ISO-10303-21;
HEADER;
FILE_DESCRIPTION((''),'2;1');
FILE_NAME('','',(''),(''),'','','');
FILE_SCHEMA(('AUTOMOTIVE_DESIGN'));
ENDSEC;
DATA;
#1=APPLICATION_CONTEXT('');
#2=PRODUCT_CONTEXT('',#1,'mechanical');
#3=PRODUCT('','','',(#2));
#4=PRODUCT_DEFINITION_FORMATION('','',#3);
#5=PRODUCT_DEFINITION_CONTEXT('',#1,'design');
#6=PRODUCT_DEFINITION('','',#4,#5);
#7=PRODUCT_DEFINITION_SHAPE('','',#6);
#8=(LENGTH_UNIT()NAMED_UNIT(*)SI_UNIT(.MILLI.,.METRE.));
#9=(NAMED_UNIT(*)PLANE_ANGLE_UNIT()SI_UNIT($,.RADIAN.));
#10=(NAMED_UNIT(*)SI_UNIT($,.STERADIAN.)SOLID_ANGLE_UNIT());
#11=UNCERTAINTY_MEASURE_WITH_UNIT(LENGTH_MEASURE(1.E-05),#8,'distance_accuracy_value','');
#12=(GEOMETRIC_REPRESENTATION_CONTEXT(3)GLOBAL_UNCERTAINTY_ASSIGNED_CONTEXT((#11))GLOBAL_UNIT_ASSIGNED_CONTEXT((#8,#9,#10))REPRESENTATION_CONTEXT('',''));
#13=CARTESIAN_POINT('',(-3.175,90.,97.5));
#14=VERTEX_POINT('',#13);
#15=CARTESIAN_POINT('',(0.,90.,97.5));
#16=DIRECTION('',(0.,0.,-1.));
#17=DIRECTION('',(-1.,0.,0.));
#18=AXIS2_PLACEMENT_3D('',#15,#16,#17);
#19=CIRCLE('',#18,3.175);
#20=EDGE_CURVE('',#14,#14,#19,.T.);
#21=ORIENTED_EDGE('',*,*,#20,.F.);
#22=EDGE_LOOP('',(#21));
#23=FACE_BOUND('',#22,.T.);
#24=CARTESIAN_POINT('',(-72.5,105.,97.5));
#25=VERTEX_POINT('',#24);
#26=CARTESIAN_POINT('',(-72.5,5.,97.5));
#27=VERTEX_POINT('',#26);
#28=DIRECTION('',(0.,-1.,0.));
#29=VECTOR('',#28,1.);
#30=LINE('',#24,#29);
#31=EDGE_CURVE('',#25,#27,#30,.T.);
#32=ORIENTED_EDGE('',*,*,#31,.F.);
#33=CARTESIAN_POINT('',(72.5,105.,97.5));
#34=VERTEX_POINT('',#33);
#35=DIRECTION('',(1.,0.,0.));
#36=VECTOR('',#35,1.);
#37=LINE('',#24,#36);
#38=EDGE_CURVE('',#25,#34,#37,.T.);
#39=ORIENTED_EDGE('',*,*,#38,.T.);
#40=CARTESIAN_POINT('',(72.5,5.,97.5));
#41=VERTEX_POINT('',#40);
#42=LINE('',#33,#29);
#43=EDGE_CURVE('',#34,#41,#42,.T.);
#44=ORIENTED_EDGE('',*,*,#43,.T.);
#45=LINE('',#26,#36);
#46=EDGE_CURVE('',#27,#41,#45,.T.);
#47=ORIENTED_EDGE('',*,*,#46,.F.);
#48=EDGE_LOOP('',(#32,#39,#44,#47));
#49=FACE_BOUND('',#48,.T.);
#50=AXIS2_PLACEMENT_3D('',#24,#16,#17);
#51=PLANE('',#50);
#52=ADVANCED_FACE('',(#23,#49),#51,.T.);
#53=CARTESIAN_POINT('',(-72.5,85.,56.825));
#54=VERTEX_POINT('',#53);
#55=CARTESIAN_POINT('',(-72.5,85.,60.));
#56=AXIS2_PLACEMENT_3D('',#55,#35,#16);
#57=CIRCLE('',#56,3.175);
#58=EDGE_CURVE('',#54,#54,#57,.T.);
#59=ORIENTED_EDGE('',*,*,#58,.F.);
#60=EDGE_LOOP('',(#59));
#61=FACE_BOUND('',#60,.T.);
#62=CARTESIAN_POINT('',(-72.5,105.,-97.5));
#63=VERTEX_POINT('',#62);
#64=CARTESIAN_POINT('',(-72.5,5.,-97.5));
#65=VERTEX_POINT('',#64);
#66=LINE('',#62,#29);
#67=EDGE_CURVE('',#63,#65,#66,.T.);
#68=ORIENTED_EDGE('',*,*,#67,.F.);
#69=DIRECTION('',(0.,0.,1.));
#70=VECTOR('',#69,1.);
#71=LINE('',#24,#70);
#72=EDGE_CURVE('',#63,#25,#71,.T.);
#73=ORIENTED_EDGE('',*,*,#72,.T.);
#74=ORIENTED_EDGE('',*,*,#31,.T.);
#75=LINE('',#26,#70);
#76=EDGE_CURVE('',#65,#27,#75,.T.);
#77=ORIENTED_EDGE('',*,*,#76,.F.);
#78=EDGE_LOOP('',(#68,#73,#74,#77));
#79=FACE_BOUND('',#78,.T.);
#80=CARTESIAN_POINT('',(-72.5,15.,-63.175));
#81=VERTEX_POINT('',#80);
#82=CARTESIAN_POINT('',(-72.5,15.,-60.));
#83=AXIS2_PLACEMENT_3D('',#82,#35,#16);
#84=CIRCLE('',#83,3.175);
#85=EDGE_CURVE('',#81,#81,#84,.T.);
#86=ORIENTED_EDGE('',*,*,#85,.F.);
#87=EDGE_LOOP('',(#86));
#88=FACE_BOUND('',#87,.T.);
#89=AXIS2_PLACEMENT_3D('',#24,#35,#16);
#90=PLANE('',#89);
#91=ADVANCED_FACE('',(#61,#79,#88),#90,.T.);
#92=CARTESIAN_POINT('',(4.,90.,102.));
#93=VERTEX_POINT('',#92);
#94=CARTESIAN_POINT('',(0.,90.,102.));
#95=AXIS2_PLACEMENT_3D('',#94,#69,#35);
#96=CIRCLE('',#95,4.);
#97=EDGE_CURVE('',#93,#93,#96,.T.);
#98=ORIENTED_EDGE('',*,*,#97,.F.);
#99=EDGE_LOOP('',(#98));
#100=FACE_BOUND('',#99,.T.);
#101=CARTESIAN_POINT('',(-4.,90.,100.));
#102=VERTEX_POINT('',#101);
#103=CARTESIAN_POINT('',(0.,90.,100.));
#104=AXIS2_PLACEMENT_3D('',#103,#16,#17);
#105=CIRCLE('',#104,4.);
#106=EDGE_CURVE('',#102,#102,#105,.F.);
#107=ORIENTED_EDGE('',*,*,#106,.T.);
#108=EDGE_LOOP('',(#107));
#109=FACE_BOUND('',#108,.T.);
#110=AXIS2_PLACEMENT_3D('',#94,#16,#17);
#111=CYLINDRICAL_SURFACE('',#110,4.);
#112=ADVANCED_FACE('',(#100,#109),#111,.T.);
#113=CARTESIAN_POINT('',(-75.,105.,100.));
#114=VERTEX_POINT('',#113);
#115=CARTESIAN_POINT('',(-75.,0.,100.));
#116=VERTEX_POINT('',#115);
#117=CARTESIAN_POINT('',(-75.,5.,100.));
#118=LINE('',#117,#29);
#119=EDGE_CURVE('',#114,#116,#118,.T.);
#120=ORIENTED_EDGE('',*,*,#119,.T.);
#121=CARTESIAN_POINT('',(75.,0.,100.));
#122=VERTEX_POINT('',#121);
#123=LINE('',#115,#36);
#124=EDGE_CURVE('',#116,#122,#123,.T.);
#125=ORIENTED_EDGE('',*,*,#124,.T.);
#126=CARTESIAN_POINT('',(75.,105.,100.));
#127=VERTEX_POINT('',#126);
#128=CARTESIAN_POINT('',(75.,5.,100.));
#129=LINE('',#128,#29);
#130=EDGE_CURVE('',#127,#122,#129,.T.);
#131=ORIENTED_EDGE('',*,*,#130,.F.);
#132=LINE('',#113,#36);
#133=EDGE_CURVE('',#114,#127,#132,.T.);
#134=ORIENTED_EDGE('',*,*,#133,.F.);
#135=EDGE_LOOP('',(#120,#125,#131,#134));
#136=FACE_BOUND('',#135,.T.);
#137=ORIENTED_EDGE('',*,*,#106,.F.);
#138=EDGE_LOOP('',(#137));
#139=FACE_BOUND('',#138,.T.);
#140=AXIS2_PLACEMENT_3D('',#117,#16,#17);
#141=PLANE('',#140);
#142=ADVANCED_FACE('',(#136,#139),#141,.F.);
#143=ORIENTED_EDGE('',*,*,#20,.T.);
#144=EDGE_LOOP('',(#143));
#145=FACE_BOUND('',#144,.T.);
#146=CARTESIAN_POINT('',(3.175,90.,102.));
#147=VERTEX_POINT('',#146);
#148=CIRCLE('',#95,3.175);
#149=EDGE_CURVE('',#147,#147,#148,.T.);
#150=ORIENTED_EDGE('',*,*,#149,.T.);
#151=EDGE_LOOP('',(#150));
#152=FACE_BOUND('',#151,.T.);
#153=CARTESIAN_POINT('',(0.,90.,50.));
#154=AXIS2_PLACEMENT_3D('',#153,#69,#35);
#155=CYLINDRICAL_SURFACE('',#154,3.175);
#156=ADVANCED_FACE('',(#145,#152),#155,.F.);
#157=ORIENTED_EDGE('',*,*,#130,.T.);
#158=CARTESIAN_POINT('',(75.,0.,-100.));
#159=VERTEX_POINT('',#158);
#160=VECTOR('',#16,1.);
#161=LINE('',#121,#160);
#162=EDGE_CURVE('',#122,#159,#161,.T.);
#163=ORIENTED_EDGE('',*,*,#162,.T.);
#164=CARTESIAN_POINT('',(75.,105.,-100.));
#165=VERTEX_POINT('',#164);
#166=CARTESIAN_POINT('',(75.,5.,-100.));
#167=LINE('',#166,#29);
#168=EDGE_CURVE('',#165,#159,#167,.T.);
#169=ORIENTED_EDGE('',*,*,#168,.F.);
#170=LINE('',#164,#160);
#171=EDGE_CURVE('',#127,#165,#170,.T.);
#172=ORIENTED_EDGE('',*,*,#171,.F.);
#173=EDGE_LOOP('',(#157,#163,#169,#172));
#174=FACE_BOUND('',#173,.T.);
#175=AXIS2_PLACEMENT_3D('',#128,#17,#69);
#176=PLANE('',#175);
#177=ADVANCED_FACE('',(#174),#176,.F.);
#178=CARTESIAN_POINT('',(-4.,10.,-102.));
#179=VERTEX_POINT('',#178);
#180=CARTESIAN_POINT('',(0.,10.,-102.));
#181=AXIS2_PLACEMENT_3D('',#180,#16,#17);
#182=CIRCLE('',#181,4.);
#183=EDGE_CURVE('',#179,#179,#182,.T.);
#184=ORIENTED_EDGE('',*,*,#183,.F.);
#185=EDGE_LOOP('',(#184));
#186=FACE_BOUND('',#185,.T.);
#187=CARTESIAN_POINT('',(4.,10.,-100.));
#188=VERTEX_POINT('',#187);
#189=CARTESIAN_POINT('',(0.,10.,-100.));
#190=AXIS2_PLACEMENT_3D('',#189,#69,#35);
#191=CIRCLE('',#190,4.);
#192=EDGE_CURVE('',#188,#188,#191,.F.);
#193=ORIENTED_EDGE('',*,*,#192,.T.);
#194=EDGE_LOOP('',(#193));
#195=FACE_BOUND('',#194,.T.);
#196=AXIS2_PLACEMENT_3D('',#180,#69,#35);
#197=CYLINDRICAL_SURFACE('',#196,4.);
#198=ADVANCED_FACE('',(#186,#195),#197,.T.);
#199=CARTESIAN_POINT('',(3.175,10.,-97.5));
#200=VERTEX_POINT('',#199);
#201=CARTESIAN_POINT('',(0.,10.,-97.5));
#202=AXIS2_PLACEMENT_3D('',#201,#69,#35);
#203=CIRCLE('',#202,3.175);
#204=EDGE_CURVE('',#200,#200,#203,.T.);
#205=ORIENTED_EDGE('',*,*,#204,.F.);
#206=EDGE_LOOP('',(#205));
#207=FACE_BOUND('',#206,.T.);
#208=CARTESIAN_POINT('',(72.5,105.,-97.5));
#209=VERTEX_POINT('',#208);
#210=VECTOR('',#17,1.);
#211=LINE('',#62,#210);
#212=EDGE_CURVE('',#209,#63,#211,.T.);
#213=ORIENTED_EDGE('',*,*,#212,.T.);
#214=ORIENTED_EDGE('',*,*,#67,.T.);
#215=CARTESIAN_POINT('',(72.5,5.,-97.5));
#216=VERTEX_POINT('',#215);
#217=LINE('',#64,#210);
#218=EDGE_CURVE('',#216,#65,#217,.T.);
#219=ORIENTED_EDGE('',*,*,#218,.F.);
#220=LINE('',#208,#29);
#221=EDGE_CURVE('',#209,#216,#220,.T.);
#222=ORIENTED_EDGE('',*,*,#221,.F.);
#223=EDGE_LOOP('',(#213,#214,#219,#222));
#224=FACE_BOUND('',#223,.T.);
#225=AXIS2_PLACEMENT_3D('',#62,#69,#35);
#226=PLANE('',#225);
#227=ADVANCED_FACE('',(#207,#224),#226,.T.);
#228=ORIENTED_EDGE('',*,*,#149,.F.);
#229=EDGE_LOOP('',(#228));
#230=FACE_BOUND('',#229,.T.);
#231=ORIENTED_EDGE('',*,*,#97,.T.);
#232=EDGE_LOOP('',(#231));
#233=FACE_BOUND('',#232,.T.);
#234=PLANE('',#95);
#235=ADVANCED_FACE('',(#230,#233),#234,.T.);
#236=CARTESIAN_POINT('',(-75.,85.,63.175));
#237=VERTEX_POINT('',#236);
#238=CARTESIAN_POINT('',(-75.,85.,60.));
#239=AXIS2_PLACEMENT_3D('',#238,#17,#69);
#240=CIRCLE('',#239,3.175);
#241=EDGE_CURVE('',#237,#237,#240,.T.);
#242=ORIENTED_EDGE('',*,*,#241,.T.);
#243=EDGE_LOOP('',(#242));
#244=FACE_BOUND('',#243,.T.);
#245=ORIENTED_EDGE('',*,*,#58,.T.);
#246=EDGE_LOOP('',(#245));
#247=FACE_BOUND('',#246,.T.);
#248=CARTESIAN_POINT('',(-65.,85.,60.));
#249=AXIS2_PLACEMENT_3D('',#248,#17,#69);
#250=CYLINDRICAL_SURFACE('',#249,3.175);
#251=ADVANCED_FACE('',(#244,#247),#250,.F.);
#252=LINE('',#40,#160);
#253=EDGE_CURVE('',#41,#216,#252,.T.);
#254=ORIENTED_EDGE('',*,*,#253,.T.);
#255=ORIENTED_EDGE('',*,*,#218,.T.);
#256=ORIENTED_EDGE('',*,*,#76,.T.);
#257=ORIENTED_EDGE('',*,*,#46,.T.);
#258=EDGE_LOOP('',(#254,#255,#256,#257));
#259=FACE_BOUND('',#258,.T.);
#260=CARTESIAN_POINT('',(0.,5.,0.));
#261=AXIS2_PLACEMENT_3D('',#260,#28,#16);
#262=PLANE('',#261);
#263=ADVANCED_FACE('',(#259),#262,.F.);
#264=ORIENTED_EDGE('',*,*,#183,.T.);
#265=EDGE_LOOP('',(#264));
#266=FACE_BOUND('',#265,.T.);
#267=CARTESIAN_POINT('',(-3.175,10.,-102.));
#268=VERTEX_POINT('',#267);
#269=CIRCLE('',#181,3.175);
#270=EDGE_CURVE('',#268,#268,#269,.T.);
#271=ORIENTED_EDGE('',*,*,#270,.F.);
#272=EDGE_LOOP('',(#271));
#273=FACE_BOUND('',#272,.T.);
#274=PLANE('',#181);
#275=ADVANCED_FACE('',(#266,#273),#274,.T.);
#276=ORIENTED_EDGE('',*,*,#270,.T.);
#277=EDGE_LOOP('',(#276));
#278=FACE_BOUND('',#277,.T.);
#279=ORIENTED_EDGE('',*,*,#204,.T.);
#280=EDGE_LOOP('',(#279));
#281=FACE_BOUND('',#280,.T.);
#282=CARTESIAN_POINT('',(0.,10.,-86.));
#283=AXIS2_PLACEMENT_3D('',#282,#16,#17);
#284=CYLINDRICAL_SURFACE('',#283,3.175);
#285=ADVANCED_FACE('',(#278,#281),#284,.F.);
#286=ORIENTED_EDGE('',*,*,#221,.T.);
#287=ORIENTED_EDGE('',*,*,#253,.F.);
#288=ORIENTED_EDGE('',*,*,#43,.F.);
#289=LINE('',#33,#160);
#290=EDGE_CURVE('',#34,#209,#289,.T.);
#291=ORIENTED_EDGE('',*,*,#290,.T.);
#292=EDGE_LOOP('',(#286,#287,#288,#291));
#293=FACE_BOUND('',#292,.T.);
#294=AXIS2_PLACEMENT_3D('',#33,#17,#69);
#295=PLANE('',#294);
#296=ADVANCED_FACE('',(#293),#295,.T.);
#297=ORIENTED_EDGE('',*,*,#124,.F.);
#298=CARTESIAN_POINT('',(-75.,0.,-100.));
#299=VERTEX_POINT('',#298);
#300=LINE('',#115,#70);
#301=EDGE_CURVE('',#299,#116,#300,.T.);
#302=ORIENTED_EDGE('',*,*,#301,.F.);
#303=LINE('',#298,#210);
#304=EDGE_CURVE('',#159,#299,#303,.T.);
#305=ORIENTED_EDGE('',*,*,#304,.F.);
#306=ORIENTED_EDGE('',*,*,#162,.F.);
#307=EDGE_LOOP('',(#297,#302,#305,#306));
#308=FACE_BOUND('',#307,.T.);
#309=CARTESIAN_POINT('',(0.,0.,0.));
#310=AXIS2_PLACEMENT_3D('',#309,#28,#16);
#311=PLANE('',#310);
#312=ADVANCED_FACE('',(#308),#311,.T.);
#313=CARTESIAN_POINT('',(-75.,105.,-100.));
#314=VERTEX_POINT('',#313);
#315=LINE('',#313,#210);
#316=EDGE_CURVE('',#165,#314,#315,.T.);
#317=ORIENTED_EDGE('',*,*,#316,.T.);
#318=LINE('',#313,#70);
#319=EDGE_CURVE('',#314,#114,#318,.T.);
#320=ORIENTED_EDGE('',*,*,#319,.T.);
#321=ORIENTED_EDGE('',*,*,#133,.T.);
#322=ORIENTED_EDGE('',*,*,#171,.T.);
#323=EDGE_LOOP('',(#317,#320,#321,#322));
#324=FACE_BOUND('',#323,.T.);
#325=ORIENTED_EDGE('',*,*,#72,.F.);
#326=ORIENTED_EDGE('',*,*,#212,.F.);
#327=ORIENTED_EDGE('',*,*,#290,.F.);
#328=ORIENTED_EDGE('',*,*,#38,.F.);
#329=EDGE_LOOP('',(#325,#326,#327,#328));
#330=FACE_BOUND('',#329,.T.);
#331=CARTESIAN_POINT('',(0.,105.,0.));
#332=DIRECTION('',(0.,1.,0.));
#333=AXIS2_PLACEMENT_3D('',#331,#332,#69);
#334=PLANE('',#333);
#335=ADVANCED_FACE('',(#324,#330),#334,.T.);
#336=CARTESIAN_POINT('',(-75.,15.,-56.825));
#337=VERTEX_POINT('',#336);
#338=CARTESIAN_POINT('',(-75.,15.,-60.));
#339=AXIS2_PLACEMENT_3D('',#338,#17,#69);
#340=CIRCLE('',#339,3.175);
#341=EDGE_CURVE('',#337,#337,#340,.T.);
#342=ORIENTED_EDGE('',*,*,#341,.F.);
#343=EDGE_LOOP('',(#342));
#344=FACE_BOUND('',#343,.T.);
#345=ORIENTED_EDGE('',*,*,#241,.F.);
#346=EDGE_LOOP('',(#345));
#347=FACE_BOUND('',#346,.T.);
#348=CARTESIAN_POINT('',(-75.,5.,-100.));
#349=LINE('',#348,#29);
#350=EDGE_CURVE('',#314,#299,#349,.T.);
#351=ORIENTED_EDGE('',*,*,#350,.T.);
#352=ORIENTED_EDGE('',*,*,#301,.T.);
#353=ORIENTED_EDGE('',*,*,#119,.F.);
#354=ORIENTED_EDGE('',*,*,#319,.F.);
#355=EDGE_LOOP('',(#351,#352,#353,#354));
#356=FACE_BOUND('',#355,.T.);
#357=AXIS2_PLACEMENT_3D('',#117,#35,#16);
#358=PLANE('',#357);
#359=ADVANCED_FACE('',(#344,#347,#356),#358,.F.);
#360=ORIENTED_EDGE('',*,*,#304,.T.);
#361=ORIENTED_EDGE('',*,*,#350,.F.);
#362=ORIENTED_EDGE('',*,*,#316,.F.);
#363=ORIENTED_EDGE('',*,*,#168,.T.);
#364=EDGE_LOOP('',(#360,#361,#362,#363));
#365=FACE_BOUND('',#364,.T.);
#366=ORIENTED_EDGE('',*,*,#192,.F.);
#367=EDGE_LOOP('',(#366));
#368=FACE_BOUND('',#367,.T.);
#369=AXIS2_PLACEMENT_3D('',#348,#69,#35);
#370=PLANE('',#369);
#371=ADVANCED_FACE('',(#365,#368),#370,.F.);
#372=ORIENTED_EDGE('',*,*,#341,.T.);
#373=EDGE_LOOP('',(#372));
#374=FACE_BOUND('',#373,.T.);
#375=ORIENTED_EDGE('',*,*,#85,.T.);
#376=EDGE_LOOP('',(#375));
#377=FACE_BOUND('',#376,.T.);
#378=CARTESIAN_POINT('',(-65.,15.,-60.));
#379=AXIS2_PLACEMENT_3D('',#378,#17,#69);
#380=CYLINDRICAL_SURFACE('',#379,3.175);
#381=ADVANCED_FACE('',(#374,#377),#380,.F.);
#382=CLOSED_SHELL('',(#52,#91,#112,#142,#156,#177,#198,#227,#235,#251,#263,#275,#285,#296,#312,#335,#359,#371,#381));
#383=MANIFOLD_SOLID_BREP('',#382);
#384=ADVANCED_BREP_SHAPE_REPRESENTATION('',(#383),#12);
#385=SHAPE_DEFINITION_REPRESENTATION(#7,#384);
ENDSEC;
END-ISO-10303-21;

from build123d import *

# Parameters (mm, degrees)
SKETCH1_W           = 150
SKETCH1_H           = 200
BOSS_EXTRUDE1_DEPTH = 5
SKETCH2_W           = 150
SKETCH2_H           = 200
SKETCH2_W_2         = 145
SKETCH2_H_2         = 195
BOSS_EXTRUDE2_DEPTH = 100
SKETCH3_R           = 3.175
CUT_EXTRUDE1_DEPTH  = 50
SKETCH4_R           = 4
SKETCH4_R_2         = 3.175
BOSS_EXTRUDE3_DEPTH = 2
SKETCH5_R           = 3.175
CUT_EXTRUDE2_DEPTH  = 14
SKETCH6_R           = 4
SKETCH6_R_2         = 3.175
BOSS_EXTRUDE4_DEPTH = 2
SKETCH7_R           = 3.174999996
SKETCH7_R_2         = 3.175
CUT_EXTRUDE3_DEPTH  = 10


with BuildPart() as part:
    # Sketch1 → Boss-Extrude1 (new body)
    with BuildSketch(Plane(origin=(0, 0, 0), x_dir=(1, 0, 0), z_dir=(0, 1, 0))):
        Rectangle(SKETCH1_W, SKETCH1_H)
    extrude(amount=BOSS_EXTRUDE1_DEPTH)

    # Sketch2 → Boss-Extrude2 (add)
    with BuildSketch(Plane(origin=(0, 5, 0), x_dir=(1, 0, 0), z_dir=(0, 1, 0))):
        Rectangle(SKETCH2_W, SKETCH2_H)
        Rectangle(SKETCH2_W_2, SKETCH2_H_2, mode=Mode.SUBTRACT)
    extrude(amount=BOSS_EXTRUDE2_DEPTH)

    # Sketch3 → Cut-Extrude1 (cut)
    with BuildSketch(Plane.XY.offset(100)):
        with Locations((0, 90)):
            Circle(SKETCH3_R)
    extrude(amount=-CUT_EXTRUDE1_DEPTH, mode=Mode.SUBTRACT)

    # Sketch4 → Boss-Extrude3 (add)
    with BuildSketch(Plane.XY.offset(100)):
        with Locations((0, 90)):
            Circle(SKETCH4_R)
        with Locations((0, 90)):
            Circle(SKETCH4_R_2, mode=Mode.SUBTRACT)
    extrude(amount=BOSS_EXTRUDE3_DEPTH)

    # Sketch5 → Cut-Extrude2 (cut)
    with BuildSketch(Plane(origin=(0, 0, -100), x_dir=(-1, 0, 0), z_dir=(0, 0, -1))):
        with Locations((0, 10)):
            Circle(SKETCH5_R)
    extrude(amount=-CUT_EXTRUDE2_DEPTH, mode=Mode.SUBTRACT)

    # Sketch6 → Boss-Extrude4 (add)
    with BuildSketch(Plane(origin=(0, 0, -100), x_dir=(-1, 0, 0), z_dir=(0, 0, -1))):
        with Locations((0, 10)):
            Circle(SKETCH6_R)
        with Locations((0, 10)):
            Circle(SKETCH6_R_2, mode=Mode.SUBTRACT)
    extrude(amount=BOSS_EXTRUDE4_DEPTH)

    # Sketch7 → Cut-Extrude3 (cut)
    with BuildSketch(Plane.ZY.offset(75)):
        with Locations((-60, 15)):
            Circle(SKETCH7_R)
        with Locations((60, 85)):
            Circle(SKETCH7_R_2)
    extrude(amount=-CUT_EXTRUDE3_DEPTH, mode=Mode.SUBTRACT)


solid = part.part
